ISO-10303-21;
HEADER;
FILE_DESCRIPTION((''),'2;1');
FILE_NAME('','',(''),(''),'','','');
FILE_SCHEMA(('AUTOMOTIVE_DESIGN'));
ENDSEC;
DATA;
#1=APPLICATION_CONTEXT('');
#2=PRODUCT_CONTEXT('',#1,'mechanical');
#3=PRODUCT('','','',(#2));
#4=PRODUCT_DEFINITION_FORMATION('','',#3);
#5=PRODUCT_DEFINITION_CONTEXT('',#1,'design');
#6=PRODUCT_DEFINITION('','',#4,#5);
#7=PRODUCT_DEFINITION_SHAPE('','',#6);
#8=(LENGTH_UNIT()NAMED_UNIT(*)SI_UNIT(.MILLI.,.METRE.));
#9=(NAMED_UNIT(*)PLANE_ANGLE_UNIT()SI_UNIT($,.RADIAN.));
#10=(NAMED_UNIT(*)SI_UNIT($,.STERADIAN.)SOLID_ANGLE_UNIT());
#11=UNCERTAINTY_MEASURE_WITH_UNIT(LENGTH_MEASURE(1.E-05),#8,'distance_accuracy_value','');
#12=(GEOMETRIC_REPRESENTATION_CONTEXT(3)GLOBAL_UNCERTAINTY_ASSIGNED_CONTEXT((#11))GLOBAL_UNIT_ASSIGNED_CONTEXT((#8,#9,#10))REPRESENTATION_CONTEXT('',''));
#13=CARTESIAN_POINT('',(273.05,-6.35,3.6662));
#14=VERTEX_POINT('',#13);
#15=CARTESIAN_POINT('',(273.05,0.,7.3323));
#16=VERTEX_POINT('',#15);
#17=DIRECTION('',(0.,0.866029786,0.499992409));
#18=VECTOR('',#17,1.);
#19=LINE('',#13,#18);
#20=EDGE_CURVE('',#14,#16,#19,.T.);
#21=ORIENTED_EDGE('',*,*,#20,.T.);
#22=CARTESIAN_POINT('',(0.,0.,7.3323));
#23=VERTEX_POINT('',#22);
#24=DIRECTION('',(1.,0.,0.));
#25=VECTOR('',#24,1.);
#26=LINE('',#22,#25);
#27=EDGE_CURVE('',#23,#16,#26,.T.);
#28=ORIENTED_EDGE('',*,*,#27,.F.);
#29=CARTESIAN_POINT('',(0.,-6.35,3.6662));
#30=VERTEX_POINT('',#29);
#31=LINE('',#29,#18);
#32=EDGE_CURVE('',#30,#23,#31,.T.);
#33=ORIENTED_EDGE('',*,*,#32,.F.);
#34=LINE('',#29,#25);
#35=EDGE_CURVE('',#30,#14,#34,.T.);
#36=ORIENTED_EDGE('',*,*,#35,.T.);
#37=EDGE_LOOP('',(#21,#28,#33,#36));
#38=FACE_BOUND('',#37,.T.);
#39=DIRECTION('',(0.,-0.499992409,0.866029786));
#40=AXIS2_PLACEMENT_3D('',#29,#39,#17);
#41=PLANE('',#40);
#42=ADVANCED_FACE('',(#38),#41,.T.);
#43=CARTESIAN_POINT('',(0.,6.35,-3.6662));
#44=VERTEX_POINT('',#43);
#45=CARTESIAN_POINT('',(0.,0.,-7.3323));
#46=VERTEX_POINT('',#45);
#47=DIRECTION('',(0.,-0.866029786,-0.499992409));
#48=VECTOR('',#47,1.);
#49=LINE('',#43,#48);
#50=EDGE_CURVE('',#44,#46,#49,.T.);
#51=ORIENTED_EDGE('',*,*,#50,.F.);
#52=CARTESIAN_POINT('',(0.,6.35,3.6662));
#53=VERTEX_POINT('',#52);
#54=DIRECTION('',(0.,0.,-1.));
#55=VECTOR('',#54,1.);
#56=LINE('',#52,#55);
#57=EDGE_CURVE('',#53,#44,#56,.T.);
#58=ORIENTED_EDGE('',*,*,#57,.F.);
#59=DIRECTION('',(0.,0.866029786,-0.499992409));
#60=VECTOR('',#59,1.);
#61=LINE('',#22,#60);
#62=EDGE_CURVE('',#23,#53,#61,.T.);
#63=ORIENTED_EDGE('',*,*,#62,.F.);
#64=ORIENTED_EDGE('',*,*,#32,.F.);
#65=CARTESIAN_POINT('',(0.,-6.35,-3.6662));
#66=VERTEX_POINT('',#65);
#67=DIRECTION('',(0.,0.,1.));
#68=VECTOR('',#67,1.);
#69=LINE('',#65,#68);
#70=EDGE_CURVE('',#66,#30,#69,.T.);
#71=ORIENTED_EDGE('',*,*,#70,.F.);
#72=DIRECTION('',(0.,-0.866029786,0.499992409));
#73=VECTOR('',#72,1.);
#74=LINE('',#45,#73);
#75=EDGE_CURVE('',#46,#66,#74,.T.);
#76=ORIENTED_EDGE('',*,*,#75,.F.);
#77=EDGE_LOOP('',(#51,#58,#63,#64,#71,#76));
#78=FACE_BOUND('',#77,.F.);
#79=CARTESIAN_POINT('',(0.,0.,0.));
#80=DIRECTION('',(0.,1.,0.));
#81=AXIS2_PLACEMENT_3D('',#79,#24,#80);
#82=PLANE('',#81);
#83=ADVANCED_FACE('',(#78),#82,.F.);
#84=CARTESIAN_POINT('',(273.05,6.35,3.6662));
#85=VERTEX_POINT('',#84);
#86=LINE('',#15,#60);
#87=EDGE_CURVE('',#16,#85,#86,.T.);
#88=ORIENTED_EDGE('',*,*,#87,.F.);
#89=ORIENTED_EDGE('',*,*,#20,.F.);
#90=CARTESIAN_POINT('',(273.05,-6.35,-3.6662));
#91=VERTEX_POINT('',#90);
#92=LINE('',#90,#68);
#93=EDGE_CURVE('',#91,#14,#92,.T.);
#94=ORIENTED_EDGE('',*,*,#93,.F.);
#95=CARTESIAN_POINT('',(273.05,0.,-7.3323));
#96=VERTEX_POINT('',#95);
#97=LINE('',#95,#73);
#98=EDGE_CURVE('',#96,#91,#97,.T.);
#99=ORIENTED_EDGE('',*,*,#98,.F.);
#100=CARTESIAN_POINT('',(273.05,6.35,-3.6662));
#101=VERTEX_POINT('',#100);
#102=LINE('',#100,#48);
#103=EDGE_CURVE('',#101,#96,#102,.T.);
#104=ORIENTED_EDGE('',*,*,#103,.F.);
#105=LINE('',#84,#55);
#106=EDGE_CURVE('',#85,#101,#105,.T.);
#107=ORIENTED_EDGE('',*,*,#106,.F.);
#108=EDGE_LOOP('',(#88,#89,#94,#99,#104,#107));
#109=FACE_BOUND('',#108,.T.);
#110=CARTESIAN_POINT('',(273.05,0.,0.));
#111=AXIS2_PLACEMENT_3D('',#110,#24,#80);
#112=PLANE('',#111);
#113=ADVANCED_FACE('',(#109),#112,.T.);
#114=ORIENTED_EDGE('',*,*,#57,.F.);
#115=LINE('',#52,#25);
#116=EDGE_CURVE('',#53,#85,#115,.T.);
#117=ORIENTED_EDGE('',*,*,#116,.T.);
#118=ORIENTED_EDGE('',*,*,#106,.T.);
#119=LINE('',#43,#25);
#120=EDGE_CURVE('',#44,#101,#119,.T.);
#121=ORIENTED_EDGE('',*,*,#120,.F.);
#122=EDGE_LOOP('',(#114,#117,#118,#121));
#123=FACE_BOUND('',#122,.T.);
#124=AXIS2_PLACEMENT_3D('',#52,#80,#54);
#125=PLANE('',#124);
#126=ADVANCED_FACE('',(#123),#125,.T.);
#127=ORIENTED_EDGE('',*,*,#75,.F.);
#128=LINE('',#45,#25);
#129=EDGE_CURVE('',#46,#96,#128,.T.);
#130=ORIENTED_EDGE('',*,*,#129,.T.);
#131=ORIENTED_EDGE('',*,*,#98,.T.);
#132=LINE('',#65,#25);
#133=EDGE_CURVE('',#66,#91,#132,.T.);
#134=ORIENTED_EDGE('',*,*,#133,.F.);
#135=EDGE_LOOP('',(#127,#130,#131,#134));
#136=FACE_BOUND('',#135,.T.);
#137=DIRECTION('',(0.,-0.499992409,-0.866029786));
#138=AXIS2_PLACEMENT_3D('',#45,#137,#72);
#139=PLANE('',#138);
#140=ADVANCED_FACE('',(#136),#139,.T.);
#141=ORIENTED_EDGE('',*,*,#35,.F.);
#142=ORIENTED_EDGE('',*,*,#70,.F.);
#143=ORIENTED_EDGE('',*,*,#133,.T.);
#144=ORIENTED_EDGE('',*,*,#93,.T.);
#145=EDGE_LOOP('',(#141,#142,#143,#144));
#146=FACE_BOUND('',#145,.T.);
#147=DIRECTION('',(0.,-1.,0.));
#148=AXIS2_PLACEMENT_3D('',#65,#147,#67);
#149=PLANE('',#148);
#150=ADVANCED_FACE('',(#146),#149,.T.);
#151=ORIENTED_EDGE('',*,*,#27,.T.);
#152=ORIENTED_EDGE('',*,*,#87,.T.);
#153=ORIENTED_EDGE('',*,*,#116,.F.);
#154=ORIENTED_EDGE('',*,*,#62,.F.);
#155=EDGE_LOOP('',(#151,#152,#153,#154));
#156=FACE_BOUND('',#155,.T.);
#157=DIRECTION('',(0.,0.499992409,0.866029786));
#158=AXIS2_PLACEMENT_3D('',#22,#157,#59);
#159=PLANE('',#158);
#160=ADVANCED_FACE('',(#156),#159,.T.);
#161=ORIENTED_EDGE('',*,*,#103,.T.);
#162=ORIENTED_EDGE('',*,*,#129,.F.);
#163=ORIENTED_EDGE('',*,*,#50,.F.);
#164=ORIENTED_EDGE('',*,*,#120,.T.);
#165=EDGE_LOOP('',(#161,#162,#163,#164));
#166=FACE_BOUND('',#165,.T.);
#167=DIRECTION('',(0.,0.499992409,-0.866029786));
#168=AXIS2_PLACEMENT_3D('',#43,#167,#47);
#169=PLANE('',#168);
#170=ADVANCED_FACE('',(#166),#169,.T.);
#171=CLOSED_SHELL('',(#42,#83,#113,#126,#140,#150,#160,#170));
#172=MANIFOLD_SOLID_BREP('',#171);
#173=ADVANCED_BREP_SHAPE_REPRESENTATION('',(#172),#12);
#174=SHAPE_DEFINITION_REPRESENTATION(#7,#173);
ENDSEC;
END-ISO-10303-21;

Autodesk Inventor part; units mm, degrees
ref_plane "YZ Plane" through (0, 0, 0) normal (1, 0, 0) x (0, 1, 0)
ref_plane "XZ Plane" through (0, 0, 0) normal (0, 1, 0) x (-1, 0, 0)
ref_plane "XY Plane" through (0, 0, 0) normal (0, 0, 1) x (1, 0, 0)
sketch "Sketch1" plane through (0, 0, 0) normal (1, 0, 0) x (0, 1, 0)
  line L0 (6.35, 3.6662) -> (6.35, -3.6662)
  line L1 (6.35, -3.6662) -> (0, -7.3323)
  line L2 (0, -7.3323) -> (-6.35, -3.6662)
  line L3 (-6.35, -3.6662) -> (-6.35, 3.6662)
  line L4 (-6.35, 3.6662) -> (0, 7.3323)
  line L5 (0, 7.3323) -> (6.35, 3.6662)
  point P0 (0, 0)
  dimension "d0" = 12.7
  dimension "d1" = 12.7
  dimension "d2" = 12.7
  dimension "d3" = 6.35
  dimension "d4" = 120
  dimension "d5" = 120
  dimension "d6" = 6.35
  dimension "d7" = 6.35
extrude "Extrusion1" add sketch "Sketch1" along normal blind 273.05
properties part number "0.5 hex shaft"
